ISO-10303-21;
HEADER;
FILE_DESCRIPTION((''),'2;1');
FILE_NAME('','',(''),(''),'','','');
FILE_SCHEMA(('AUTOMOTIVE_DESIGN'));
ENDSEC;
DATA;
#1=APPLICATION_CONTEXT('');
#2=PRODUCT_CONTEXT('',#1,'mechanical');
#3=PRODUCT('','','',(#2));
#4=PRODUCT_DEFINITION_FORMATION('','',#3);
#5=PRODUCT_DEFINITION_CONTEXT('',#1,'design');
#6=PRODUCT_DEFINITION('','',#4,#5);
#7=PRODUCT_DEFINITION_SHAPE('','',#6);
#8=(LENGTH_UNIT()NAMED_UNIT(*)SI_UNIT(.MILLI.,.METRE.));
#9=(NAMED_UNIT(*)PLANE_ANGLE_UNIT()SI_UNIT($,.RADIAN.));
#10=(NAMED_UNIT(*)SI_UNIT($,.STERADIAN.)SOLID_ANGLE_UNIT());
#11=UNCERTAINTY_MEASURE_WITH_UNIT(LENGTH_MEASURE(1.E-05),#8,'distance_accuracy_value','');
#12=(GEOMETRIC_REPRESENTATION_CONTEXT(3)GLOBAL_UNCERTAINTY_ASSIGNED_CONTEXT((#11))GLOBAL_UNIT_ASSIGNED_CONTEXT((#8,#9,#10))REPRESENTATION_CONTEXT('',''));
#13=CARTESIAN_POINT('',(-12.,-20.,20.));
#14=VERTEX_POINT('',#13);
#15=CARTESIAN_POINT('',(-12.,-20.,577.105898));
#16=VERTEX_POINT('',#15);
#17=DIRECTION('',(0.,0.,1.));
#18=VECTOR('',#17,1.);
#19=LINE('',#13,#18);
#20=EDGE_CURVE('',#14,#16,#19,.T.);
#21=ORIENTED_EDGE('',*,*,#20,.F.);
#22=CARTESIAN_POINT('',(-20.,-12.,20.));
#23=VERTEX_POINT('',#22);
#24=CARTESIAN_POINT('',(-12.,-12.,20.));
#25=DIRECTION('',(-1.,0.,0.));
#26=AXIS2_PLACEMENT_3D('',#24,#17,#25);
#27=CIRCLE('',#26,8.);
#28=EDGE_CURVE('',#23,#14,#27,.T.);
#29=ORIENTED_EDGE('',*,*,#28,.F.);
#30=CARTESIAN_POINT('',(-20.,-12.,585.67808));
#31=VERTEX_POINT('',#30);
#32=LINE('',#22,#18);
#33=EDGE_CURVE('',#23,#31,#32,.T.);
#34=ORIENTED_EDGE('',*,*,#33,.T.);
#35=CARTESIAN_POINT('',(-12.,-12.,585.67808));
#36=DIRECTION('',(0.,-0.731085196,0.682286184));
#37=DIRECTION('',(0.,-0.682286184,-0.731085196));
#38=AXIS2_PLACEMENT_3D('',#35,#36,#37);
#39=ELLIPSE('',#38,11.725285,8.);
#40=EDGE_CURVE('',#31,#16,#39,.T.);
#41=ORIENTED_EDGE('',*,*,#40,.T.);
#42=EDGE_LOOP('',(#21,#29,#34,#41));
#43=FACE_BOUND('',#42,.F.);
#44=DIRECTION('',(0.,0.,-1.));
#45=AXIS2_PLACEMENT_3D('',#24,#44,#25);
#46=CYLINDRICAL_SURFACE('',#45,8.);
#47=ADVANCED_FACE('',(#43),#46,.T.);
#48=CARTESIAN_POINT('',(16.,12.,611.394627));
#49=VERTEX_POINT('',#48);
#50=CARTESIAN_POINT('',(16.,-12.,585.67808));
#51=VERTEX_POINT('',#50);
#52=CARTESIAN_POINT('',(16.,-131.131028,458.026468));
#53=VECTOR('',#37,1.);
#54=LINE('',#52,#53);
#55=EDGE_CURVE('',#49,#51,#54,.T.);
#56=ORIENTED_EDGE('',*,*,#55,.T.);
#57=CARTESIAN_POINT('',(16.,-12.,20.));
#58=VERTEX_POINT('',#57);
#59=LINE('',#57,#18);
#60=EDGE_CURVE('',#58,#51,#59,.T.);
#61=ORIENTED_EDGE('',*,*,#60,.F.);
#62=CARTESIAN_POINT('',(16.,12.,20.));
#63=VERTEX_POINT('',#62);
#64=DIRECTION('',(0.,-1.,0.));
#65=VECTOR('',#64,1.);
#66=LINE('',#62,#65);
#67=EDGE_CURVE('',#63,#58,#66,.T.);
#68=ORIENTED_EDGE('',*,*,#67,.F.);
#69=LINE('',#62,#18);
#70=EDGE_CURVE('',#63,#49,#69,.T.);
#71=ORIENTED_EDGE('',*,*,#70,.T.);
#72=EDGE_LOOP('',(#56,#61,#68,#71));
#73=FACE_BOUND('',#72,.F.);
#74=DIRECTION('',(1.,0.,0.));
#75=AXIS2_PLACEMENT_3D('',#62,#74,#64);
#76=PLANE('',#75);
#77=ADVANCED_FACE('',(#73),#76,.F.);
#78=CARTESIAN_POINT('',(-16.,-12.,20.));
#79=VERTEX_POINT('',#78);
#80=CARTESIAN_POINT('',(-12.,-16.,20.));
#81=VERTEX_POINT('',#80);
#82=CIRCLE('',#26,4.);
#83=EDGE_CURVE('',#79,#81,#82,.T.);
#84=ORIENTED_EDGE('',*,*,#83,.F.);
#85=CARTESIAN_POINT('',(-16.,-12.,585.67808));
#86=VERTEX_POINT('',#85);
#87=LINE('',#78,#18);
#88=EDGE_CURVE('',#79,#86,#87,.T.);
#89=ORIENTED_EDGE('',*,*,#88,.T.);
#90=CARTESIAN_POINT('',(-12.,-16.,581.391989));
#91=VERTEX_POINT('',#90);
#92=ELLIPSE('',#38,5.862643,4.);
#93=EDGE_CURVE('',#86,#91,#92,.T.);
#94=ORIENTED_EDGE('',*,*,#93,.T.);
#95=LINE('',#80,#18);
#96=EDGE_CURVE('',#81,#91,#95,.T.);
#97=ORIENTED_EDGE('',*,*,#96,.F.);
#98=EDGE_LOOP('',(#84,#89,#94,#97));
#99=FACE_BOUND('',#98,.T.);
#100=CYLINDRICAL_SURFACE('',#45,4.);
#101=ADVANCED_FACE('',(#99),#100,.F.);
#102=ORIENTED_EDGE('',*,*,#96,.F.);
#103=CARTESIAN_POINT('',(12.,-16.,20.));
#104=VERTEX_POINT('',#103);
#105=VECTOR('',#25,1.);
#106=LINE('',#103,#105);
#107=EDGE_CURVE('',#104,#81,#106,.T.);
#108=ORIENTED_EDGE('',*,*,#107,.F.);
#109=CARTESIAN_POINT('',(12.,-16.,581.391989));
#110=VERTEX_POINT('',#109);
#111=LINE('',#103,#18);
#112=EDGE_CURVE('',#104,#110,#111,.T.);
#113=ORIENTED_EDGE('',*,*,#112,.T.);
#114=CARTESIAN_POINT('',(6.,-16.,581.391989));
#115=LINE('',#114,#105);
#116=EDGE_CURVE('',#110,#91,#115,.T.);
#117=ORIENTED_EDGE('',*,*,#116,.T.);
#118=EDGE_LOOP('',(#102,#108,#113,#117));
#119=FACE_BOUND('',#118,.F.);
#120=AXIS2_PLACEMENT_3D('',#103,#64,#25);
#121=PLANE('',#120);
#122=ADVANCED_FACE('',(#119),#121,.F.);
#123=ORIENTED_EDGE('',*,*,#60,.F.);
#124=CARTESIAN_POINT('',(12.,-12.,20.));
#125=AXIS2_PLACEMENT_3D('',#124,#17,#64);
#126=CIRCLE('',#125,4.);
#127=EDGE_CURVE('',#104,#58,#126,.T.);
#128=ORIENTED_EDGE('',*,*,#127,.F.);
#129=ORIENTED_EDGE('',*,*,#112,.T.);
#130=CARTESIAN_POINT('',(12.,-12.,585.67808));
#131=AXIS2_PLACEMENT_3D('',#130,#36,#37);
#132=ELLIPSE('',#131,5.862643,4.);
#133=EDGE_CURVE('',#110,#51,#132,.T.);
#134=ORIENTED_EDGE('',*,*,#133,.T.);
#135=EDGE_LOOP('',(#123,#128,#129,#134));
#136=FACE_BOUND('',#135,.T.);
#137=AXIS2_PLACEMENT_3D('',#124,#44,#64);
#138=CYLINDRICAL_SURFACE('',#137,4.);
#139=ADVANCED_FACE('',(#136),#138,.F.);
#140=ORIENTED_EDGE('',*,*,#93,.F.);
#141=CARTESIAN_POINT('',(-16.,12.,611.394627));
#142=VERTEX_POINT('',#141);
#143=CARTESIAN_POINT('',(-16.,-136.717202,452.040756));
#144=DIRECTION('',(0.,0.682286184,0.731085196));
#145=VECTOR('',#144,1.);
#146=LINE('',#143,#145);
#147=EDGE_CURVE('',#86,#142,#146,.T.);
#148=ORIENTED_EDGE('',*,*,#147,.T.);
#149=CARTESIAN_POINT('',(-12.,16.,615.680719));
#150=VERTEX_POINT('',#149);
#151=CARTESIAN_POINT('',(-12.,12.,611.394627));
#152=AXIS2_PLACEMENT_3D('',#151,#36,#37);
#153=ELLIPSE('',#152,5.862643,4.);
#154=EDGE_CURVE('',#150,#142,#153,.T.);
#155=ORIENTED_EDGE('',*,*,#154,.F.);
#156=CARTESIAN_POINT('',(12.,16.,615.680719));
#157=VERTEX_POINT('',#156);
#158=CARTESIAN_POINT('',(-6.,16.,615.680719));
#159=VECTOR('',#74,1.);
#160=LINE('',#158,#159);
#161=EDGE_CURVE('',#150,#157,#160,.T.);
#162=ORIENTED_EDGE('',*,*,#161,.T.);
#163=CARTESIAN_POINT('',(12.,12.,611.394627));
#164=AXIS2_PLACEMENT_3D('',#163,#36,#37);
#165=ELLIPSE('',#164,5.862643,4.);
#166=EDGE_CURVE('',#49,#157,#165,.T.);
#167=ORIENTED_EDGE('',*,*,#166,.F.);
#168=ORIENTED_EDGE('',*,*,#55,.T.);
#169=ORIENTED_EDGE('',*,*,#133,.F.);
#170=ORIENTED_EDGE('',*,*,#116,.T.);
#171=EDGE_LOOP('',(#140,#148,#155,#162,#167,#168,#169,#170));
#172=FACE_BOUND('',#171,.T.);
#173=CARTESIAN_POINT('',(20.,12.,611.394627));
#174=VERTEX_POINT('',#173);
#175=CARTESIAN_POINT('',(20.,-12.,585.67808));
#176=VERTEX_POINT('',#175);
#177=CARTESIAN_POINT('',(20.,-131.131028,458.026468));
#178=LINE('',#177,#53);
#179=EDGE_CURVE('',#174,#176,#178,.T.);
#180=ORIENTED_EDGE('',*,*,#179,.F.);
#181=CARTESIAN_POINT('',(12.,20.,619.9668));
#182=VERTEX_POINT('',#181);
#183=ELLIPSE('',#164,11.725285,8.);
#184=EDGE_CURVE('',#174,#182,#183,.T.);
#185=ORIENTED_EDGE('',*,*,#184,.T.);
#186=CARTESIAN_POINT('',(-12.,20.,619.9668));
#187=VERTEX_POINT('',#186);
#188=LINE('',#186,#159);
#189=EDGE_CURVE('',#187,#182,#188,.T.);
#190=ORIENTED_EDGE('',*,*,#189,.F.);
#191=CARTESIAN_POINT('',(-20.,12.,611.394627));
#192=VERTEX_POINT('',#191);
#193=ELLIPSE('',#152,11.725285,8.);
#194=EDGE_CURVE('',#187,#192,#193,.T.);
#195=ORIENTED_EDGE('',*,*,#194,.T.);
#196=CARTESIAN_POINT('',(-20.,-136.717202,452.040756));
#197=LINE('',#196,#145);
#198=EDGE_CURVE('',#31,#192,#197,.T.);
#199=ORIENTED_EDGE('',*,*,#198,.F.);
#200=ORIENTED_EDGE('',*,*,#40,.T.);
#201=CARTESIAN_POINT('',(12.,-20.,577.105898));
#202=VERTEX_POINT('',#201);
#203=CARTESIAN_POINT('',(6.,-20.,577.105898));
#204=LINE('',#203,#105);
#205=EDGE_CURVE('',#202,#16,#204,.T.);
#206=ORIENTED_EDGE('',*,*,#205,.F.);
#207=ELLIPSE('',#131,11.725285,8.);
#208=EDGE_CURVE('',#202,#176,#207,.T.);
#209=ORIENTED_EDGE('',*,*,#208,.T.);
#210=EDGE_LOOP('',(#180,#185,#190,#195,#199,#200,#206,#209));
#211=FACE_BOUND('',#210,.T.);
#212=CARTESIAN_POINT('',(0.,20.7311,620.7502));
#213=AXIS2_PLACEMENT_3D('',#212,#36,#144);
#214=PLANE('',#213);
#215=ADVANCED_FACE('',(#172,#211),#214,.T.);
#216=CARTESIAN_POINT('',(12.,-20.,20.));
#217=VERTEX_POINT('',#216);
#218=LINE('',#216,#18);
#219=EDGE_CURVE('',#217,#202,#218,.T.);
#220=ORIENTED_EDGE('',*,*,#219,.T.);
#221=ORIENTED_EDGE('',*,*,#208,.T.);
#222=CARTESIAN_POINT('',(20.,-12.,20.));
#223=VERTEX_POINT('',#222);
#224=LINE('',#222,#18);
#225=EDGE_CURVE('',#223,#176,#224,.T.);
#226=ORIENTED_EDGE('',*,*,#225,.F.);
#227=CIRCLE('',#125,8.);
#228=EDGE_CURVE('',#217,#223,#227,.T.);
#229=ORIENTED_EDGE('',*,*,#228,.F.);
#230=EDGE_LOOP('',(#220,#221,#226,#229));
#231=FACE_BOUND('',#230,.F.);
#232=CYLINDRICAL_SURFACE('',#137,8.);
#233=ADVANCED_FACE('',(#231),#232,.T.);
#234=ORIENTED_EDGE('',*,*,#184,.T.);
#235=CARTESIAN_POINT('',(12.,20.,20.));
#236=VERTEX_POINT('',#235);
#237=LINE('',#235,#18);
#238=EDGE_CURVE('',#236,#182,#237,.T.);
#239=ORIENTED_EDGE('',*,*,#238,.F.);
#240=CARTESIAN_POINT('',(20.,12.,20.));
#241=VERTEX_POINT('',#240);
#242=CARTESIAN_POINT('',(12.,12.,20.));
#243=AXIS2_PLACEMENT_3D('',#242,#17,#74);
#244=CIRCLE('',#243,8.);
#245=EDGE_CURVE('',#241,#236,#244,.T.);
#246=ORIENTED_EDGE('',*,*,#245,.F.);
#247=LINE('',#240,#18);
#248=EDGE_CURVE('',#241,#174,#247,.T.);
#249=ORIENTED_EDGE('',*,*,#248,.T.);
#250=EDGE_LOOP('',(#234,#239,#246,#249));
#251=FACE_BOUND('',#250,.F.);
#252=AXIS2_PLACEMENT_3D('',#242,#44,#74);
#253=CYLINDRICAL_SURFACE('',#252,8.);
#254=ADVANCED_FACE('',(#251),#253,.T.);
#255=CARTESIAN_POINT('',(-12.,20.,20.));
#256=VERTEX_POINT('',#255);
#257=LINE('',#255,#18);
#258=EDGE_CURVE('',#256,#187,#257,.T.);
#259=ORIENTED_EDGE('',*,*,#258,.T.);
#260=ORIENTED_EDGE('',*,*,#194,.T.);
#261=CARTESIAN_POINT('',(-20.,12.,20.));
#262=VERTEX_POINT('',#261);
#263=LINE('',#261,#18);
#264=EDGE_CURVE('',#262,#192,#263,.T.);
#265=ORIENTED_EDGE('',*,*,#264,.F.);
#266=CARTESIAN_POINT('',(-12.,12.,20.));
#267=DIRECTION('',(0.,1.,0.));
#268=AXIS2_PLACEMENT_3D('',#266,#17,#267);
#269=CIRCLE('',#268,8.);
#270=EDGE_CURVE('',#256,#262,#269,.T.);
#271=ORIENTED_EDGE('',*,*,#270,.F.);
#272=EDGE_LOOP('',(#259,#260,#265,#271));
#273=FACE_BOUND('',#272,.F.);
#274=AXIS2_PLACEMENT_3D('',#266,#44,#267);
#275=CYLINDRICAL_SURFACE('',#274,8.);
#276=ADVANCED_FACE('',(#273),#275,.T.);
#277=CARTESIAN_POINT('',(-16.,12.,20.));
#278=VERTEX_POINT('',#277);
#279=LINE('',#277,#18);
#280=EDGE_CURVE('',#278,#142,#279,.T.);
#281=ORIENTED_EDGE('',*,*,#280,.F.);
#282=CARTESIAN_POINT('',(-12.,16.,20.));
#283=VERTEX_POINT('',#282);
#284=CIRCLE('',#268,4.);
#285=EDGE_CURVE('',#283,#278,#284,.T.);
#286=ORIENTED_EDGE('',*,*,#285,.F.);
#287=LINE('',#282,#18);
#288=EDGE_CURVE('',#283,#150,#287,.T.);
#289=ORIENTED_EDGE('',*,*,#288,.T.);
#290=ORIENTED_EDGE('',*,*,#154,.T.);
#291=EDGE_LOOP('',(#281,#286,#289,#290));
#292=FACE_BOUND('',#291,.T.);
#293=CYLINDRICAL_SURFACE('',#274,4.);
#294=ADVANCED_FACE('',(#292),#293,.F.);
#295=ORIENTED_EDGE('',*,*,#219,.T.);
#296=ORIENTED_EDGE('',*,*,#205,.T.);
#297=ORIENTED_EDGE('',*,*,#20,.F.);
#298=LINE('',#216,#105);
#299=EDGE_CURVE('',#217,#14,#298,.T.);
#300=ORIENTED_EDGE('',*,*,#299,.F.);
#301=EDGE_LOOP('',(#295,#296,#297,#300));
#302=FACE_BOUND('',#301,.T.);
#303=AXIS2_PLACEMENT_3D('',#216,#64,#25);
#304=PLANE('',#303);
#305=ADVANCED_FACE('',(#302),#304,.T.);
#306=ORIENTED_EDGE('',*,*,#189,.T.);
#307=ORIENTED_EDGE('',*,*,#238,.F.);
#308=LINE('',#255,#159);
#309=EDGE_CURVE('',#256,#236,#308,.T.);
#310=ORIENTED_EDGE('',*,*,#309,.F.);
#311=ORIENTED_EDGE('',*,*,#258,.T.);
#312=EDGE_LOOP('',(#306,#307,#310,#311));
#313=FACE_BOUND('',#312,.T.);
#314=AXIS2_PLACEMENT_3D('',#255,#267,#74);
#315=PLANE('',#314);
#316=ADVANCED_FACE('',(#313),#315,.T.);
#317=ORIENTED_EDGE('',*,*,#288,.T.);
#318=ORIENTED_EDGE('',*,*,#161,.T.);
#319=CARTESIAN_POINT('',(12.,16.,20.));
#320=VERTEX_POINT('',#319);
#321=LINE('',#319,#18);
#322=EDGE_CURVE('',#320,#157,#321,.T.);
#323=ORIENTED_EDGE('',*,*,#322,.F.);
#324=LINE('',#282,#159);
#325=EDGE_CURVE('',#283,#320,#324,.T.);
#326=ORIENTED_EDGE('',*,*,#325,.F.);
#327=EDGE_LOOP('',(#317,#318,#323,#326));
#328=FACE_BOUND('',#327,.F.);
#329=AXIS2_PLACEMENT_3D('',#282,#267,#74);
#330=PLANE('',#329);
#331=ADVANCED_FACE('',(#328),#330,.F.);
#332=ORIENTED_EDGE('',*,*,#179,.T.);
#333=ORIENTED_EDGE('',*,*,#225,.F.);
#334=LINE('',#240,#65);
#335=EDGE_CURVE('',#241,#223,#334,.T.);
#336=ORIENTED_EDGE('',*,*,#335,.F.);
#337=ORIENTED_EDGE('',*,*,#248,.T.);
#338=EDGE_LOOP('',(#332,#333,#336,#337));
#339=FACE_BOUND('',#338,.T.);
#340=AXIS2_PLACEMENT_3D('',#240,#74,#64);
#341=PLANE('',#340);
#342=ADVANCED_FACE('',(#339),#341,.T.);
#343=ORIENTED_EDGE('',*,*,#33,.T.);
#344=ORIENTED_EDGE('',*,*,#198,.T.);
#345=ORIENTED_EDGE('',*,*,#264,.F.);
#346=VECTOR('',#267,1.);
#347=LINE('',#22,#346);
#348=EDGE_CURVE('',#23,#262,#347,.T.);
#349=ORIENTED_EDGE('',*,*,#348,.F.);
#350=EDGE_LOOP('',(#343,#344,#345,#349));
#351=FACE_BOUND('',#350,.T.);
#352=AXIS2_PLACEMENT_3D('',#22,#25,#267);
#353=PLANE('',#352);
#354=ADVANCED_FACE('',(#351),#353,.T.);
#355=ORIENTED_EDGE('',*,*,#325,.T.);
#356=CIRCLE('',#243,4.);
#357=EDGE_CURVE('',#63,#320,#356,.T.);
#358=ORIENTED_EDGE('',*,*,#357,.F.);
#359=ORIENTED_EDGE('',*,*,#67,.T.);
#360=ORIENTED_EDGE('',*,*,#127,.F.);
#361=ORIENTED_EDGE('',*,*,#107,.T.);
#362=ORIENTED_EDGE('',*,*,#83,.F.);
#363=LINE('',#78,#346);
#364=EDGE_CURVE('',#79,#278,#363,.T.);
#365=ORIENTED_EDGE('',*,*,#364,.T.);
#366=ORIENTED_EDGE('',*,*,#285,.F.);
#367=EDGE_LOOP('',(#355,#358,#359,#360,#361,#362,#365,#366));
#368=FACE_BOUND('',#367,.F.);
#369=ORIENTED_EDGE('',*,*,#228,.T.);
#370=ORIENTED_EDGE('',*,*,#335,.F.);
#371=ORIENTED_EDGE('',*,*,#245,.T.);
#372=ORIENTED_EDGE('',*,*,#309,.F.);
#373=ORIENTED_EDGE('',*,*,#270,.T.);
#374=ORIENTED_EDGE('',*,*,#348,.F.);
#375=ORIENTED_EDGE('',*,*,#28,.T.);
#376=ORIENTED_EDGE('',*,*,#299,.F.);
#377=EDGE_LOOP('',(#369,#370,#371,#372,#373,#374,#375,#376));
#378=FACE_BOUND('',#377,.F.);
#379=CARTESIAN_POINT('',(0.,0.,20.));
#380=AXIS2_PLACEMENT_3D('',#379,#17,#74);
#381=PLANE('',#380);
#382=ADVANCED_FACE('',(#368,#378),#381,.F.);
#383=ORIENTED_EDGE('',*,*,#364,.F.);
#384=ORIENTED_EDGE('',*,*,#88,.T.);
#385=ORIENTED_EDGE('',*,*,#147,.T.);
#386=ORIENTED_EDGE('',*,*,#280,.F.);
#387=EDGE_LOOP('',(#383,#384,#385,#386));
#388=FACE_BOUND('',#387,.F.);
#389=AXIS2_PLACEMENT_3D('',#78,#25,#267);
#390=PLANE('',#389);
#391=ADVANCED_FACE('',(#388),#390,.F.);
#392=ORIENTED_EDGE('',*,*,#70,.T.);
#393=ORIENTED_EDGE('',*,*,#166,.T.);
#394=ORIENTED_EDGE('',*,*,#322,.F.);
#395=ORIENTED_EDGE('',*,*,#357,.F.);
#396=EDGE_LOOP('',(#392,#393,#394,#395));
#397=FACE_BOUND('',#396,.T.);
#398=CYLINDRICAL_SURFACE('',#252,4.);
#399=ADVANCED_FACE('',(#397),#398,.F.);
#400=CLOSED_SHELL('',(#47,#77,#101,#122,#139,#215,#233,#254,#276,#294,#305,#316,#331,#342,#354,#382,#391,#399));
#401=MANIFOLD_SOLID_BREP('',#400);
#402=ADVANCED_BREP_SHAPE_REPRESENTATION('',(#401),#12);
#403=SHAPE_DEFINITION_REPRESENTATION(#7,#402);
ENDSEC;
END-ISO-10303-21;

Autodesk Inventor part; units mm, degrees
ref_plane "Start Plane" through (0, 0, 20) normal (0, 0, 1) x (1, 0, 0)
ref_plane "End Plane" through (0, 0, 619.9668) normal (0, 0, 1) x (1, 0, 0)
sketch "Sketch" plane through (0, 0, 0) normal (0, 0, 1) x (1, 0, 0)
  line L0 (-20, -12) -> (-20, 12)
  line L1 (-12, 20) -> (12, 20)
  line L2 (20, 12) -> (20, -12)
  line L3 (12, -20) -> (-12, -20)
  arc A0 (-20, -12) -> (-12, -20) centre (-12, -12) ccw
  arc A1 (20, 12) -> (12, 20) centre (12, 12) ccw
  arc A2 (-12, 20) -> (-20, 12) centre (-12, 12) ccw
  arc A3 (12, -20) -> (20, -12) centre (12, -12) ccw
  arc A4 (-12, 16) -> (-16, 12) centre (-12, 12) ccw
  line L4 (-12, 16) -> (12, 16)
  arc A5 (16, 12) -> (12, 16) centre (12, 12) ccw
  line L5 (16, 12) -> (16, -12)
  arc A6 (12, -16) -> (16, -12) centre (12, -12) ccw
  line L6 (12, -16) -> (-12, -16)
  arc A7 (-16, -12) -> (-12, -16) centre (-12, -12) ccw
  line L7 (-16, -12) -> (-16, 12)
  line L8 (0, 30.3196) -> (0, -30.3196) construction
  line L9 (-30.3196, 0) -> (30.3196, 0) construction
  dimension "d7" = 8
  dimension "d9" = 40
  dimension "d11" = 40
  dimension "d12" = 4
  dimension "d15" = 20
  dimension "d16" = 20
extrude "Body" add sketch "Sketch" along normal up to surface (599.9668 mm away) from surface at 20
sketch "Sketch3" plane through (0, 0, 0) normal (0, 0, 1) x (1, 0, 0)
  line L0 (0, 0) -> (10, 0)
ref_plane "Work Plane3" through (0, 0, 0) normal (0, -1, 0) x (1, 0, 0)
ref_plane "Work Plane4" through (0, 20.7311, 620.7502) normal (0, -0.7311, 0.6823) x (1, 0, 0)
split "Split1" plane through (0, 20.7311, 620.7502) removes the side toward (0, -0.7311, 0.6823)
ref_plane "Work Plane5" through (-12, 0, 20) normal (0, 0, -1) x (-1, 0, 0)
split "Split2" plane through (-12, 0, 20) removes the side toward (0, 0, -1)
sketch "Sketch4" plane through (0, 0, 0) normal (0, -1, 0) x (1, 0, 0)
  line L0 (-2, 20) -> (12, 20) projected
  line L1 (-2, 619.9668) -> (12, 619.9668) projected
  dimension "d18" = 599.9668
equation "\"d7\" = G_IR"
equation "\"d9\" = G_W"
equation "\"d11\" = G_H"
equation "\"d12\" = G_T"
equation "\"d15\" = 0.5 * d9"
equation "\"d16\" = 0.5 * d11"
equation "\"d3\" = G_L"
equation "\"G_W\" = 40"
equation "\"G_H\" = 40"
equation "\"G_T\" = 4"
equation "\"G_IR\" = 8"
equation "\"G_L\" = d18"
equation "\"G_OFFSET_END\" = 19.96675"
equation "\"d14\" = G_OFFSET_END + B_L"
equation "\"B_L\" = 600"
properties part number "ISO 10799-2 - 40x40x4 - 599,97" material "Steel, Mild"
